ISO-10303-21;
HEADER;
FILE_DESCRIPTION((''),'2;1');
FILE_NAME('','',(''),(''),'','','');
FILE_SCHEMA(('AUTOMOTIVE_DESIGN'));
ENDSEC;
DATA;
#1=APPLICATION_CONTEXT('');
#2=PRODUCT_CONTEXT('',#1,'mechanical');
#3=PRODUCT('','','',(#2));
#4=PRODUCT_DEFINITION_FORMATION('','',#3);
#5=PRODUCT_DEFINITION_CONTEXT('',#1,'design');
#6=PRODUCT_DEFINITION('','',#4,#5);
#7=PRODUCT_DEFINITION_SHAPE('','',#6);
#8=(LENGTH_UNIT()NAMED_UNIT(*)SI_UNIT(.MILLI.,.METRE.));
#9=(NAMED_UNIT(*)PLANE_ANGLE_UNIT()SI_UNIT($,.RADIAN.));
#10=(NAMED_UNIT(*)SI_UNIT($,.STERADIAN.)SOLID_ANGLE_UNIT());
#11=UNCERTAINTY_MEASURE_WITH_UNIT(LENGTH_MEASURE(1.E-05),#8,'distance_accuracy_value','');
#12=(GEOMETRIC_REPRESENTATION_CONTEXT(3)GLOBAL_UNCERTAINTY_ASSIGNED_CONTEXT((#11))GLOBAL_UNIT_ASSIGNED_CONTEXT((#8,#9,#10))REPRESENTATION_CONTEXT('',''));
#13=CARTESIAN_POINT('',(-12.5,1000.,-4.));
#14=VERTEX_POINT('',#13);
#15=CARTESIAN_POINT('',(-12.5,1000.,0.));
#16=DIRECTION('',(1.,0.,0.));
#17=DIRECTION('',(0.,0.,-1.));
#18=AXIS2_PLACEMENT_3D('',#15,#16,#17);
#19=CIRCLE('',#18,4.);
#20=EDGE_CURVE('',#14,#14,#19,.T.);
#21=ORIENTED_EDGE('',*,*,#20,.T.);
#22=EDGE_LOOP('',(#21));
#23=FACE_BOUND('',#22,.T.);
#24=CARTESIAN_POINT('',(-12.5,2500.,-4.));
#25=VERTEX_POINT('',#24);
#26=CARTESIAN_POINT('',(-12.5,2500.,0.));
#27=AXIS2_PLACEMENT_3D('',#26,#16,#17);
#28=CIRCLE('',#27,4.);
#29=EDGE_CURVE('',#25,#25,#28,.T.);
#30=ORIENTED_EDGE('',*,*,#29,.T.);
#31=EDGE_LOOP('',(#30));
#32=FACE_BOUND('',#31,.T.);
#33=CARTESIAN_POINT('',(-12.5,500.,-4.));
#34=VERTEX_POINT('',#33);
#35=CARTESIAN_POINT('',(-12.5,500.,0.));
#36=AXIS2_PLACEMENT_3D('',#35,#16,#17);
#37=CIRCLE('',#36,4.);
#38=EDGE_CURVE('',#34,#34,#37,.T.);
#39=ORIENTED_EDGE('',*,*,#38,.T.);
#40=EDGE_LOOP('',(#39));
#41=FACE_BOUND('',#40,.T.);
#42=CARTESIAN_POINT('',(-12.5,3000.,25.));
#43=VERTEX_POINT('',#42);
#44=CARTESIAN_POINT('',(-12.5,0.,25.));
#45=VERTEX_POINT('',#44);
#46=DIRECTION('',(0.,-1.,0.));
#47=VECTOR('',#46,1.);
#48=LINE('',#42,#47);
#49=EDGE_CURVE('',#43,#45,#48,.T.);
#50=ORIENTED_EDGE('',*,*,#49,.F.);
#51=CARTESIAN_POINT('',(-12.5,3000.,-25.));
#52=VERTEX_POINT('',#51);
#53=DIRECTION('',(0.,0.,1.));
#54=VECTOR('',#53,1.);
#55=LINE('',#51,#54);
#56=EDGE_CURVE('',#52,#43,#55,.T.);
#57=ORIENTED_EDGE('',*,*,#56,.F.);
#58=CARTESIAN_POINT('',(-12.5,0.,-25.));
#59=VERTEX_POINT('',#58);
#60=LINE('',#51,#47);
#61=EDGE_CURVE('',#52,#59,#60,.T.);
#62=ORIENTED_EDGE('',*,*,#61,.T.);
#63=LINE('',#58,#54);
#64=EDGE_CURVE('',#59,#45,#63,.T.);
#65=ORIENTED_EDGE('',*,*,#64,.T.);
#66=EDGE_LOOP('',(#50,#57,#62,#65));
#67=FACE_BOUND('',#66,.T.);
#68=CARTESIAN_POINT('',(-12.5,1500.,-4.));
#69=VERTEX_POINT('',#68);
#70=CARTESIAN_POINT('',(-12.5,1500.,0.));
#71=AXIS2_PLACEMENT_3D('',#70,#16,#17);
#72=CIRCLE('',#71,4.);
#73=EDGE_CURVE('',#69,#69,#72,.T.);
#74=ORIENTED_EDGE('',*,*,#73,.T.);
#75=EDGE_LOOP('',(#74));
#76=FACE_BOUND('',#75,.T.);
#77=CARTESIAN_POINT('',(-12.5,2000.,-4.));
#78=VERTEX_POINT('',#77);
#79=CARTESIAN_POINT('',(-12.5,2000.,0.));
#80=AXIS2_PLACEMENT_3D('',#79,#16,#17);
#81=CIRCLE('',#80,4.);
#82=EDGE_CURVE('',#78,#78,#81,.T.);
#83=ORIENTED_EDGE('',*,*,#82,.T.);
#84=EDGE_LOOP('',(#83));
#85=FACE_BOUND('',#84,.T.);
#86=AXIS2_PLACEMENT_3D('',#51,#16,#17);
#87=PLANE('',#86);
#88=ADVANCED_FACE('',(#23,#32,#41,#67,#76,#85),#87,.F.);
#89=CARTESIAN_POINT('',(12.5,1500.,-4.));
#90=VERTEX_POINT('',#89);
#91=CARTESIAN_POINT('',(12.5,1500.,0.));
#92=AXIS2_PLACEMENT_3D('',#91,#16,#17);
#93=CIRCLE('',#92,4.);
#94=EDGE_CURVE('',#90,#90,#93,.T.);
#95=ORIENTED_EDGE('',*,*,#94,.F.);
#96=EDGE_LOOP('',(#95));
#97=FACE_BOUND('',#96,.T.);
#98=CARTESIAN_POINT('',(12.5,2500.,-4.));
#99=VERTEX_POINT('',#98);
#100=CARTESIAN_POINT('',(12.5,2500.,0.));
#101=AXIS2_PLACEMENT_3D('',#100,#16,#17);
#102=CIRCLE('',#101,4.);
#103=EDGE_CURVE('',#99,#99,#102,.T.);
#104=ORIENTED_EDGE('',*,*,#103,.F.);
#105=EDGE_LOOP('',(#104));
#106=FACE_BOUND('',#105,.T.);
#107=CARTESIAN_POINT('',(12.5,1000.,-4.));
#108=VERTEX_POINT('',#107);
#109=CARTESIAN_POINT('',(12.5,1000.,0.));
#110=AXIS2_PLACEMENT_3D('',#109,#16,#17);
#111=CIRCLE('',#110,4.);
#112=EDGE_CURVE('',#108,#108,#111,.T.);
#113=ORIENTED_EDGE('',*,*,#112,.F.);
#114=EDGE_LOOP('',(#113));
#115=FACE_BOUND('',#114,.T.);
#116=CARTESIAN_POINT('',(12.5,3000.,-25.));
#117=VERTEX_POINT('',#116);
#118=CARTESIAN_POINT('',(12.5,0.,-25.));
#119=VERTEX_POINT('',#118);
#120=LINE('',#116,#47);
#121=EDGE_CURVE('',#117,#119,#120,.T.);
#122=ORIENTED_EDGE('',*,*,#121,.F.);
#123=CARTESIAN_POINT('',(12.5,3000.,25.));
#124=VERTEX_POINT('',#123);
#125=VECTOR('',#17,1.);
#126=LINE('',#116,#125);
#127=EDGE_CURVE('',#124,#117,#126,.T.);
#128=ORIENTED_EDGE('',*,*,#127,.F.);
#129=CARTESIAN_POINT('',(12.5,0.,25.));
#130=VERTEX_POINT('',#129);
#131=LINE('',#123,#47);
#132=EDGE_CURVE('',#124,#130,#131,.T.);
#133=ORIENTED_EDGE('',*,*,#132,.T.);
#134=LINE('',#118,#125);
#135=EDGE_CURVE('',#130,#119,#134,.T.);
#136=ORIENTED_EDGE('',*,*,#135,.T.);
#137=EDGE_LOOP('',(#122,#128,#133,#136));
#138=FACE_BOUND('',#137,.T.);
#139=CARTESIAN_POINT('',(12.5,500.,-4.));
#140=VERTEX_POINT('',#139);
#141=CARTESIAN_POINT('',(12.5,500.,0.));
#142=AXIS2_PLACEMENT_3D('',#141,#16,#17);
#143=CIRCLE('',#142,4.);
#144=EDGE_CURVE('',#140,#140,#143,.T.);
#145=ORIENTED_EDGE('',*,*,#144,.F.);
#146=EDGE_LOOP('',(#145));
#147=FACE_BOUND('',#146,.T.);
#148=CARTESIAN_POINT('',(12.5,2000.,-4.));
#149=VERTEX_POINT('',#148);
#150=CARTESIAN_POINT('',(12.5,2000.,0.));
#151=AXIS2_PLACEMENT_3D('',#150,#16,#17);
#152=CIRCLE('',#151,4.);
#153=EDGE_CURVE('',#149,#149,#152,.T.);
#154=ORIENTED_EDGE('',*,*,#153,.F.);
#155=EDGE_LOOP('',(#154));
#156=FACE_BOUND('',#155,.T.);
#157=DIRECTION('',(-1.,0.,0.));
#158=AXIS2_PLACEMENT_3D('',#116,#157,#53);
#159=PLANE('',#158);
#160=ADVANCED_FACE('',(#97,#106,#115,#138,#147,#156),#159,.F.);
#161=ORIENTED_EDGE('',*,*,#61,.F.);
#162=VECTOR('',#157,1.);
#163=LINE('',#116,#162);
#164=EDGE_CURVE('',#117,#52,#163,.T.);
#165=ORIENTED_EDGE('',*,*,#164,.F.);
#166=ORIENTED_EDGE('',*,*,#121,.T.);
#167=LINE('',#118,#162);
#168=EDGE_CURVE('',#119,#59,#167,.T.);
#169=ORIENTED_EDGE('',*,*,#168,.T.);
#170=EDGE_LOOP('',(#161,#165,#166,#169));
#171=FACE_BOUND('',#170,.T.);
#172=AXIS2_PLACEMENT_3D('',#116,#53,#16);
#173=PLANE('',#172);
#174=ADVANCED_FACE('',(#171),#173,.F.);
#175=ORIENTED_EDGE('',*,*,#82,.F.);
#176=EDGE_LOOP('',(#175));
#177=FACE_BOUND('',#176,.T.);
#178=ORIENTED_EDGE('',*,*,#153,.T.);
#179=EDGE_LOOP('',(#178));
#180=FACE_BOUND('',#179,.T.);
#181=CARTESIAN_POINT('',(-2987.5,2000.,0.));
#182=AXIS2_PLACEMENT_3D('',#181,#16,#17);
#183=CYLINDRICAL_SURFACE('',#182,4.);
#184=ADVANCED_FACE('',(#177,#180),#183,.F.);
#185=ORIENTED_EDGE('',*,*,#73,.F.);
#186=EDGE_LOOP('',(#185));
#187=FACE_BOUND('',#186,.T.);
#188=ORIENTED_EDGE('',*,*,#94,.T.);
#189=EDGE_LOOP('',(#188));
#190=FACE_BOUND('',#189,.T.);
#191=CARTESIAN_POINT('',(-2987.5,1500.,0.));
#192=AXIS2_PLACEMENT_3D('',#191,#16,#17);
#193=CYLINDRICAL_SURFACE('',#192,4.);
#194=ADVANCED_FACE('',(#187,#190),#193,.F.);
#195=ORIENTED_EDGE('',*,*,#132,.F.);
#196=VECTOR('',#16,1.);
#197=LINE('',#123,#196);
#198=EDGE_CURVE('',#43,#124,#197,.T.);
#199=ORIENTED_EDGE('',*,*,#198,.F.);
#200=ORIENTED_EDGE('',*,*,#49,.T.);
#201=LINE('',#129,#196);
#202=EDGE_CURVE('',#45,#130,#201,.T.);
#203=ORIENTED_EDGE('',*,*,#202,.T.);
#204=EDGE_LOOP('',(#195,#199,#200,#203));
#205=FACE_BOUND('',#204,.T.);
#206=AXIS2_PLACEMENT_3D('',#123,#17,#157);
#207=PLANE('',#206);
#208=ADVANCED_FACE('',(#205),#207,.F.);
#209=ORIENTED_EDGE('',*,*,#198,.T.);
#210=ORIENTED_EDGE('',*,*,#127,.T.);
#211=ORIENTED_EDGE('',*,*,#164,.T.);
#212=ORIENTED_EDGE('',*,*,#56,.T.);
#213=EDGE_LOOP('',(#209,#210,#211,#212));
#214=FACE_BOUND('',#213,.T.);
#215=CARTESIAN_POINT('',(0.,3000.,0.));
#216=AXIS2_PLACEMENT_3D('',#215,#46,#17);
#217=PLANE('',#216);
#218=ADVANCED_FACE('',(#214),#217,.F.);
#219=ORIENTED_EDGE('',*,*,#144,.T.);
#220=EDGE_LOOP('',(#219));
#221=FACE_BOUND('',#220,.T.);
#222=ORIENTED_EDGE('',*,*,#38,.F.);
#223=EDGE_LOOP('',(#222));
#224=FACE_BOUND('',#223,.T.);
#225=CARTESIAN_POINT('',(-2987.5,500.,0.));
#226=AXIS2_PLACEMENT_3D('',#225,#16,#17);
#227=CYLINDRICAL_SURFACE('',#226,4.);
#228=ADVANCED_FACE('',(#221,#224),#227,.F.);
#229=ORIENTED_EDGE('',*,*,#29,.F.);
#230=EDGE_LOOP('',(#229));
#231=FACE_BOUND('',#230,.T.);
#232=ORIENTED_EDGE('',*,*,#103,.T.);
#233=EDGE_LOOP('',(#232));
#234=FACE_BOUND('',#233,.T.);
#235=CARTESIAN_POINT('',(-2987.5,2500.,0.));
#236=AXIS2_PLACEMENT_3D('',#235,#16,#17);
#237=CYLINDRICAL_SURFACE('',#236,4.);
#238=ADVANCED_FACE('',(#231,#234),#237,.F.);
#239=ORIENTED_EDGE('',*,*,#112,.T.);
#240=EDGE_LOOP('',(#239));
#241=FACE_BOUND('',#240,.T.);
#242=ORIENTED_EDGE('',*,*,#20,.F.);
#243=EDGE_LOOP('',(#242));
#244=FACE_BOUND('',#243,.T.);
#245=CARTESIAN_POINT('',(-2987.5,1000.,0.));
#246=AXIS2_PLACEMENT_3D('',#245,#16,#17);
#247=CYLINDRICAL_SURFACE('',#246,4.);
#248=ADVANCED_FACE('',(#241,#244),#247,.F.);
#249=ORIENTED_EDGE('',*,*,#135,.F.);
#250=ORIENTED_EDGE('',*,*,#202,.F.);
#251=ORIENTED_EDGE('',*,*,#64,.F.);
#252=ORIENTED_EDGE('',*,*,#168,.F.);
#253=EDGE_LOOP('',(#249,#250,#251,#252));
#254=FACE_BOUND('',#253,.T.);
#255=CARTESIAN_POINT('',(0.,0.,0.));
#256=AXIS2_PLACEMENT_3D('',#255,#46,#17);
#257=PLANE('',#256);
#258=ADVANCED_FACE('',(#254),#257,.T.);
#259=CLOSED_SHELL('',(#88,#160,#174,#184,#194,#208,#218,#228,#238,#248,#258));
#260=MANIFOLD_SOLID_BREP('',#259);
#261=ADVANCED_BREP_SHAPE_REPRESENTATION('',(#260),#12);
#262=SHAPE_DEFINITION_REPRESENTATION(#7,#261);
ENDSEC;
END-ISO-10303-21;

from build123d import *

# Parameters (mm, degrees)
SKETCH_1_W          = 25
SKETCH_1_H          = 50
EXTRUDE_1_DEPTH     = 3000
SKETCH_2_R          = 4
CUT_EXTRUDE_1_DEPTH = 3000


with BuildPart() as part:
    # Эскиз1 → Бобышка-Вытянуть1 (new body)
    with BuildSketch(Plane(origin=(0, 0, 0), x_dir=(1, 0, 0), z_dir=(0, 1, 0))):
        Rectangle(SKETCH_1_W, SKETCH_1_H)
    extrude(amount=EXTRUDE_1_DEPTH)

    # Эскиз2 → Вырез-Вытянуть1 (cut)
    with BuildSketch(Plane(origin=(12.5, 0, 0), x_dir=(0, 0, -1), z_dir=(1, 0, 0))):
        with Locations((0, 2500)):
            Circle(SKETCH_2_R)
        with Locations((0, 2000)):
            Circle(SKETCH_2_R)
        with Locations((0, 1500)):
            Circle(SKETCH_2_R)
        with Locations((0, 1000)):
            Circle(SKETCH_2_R)
        with Locations((0, 500)):
            Circle(SKETCH_2_R)
    extrude(amount=-CUT_EXTRUDE_1_DEPTH, mode=Mode.SUBTRACT)


solid = part.part
